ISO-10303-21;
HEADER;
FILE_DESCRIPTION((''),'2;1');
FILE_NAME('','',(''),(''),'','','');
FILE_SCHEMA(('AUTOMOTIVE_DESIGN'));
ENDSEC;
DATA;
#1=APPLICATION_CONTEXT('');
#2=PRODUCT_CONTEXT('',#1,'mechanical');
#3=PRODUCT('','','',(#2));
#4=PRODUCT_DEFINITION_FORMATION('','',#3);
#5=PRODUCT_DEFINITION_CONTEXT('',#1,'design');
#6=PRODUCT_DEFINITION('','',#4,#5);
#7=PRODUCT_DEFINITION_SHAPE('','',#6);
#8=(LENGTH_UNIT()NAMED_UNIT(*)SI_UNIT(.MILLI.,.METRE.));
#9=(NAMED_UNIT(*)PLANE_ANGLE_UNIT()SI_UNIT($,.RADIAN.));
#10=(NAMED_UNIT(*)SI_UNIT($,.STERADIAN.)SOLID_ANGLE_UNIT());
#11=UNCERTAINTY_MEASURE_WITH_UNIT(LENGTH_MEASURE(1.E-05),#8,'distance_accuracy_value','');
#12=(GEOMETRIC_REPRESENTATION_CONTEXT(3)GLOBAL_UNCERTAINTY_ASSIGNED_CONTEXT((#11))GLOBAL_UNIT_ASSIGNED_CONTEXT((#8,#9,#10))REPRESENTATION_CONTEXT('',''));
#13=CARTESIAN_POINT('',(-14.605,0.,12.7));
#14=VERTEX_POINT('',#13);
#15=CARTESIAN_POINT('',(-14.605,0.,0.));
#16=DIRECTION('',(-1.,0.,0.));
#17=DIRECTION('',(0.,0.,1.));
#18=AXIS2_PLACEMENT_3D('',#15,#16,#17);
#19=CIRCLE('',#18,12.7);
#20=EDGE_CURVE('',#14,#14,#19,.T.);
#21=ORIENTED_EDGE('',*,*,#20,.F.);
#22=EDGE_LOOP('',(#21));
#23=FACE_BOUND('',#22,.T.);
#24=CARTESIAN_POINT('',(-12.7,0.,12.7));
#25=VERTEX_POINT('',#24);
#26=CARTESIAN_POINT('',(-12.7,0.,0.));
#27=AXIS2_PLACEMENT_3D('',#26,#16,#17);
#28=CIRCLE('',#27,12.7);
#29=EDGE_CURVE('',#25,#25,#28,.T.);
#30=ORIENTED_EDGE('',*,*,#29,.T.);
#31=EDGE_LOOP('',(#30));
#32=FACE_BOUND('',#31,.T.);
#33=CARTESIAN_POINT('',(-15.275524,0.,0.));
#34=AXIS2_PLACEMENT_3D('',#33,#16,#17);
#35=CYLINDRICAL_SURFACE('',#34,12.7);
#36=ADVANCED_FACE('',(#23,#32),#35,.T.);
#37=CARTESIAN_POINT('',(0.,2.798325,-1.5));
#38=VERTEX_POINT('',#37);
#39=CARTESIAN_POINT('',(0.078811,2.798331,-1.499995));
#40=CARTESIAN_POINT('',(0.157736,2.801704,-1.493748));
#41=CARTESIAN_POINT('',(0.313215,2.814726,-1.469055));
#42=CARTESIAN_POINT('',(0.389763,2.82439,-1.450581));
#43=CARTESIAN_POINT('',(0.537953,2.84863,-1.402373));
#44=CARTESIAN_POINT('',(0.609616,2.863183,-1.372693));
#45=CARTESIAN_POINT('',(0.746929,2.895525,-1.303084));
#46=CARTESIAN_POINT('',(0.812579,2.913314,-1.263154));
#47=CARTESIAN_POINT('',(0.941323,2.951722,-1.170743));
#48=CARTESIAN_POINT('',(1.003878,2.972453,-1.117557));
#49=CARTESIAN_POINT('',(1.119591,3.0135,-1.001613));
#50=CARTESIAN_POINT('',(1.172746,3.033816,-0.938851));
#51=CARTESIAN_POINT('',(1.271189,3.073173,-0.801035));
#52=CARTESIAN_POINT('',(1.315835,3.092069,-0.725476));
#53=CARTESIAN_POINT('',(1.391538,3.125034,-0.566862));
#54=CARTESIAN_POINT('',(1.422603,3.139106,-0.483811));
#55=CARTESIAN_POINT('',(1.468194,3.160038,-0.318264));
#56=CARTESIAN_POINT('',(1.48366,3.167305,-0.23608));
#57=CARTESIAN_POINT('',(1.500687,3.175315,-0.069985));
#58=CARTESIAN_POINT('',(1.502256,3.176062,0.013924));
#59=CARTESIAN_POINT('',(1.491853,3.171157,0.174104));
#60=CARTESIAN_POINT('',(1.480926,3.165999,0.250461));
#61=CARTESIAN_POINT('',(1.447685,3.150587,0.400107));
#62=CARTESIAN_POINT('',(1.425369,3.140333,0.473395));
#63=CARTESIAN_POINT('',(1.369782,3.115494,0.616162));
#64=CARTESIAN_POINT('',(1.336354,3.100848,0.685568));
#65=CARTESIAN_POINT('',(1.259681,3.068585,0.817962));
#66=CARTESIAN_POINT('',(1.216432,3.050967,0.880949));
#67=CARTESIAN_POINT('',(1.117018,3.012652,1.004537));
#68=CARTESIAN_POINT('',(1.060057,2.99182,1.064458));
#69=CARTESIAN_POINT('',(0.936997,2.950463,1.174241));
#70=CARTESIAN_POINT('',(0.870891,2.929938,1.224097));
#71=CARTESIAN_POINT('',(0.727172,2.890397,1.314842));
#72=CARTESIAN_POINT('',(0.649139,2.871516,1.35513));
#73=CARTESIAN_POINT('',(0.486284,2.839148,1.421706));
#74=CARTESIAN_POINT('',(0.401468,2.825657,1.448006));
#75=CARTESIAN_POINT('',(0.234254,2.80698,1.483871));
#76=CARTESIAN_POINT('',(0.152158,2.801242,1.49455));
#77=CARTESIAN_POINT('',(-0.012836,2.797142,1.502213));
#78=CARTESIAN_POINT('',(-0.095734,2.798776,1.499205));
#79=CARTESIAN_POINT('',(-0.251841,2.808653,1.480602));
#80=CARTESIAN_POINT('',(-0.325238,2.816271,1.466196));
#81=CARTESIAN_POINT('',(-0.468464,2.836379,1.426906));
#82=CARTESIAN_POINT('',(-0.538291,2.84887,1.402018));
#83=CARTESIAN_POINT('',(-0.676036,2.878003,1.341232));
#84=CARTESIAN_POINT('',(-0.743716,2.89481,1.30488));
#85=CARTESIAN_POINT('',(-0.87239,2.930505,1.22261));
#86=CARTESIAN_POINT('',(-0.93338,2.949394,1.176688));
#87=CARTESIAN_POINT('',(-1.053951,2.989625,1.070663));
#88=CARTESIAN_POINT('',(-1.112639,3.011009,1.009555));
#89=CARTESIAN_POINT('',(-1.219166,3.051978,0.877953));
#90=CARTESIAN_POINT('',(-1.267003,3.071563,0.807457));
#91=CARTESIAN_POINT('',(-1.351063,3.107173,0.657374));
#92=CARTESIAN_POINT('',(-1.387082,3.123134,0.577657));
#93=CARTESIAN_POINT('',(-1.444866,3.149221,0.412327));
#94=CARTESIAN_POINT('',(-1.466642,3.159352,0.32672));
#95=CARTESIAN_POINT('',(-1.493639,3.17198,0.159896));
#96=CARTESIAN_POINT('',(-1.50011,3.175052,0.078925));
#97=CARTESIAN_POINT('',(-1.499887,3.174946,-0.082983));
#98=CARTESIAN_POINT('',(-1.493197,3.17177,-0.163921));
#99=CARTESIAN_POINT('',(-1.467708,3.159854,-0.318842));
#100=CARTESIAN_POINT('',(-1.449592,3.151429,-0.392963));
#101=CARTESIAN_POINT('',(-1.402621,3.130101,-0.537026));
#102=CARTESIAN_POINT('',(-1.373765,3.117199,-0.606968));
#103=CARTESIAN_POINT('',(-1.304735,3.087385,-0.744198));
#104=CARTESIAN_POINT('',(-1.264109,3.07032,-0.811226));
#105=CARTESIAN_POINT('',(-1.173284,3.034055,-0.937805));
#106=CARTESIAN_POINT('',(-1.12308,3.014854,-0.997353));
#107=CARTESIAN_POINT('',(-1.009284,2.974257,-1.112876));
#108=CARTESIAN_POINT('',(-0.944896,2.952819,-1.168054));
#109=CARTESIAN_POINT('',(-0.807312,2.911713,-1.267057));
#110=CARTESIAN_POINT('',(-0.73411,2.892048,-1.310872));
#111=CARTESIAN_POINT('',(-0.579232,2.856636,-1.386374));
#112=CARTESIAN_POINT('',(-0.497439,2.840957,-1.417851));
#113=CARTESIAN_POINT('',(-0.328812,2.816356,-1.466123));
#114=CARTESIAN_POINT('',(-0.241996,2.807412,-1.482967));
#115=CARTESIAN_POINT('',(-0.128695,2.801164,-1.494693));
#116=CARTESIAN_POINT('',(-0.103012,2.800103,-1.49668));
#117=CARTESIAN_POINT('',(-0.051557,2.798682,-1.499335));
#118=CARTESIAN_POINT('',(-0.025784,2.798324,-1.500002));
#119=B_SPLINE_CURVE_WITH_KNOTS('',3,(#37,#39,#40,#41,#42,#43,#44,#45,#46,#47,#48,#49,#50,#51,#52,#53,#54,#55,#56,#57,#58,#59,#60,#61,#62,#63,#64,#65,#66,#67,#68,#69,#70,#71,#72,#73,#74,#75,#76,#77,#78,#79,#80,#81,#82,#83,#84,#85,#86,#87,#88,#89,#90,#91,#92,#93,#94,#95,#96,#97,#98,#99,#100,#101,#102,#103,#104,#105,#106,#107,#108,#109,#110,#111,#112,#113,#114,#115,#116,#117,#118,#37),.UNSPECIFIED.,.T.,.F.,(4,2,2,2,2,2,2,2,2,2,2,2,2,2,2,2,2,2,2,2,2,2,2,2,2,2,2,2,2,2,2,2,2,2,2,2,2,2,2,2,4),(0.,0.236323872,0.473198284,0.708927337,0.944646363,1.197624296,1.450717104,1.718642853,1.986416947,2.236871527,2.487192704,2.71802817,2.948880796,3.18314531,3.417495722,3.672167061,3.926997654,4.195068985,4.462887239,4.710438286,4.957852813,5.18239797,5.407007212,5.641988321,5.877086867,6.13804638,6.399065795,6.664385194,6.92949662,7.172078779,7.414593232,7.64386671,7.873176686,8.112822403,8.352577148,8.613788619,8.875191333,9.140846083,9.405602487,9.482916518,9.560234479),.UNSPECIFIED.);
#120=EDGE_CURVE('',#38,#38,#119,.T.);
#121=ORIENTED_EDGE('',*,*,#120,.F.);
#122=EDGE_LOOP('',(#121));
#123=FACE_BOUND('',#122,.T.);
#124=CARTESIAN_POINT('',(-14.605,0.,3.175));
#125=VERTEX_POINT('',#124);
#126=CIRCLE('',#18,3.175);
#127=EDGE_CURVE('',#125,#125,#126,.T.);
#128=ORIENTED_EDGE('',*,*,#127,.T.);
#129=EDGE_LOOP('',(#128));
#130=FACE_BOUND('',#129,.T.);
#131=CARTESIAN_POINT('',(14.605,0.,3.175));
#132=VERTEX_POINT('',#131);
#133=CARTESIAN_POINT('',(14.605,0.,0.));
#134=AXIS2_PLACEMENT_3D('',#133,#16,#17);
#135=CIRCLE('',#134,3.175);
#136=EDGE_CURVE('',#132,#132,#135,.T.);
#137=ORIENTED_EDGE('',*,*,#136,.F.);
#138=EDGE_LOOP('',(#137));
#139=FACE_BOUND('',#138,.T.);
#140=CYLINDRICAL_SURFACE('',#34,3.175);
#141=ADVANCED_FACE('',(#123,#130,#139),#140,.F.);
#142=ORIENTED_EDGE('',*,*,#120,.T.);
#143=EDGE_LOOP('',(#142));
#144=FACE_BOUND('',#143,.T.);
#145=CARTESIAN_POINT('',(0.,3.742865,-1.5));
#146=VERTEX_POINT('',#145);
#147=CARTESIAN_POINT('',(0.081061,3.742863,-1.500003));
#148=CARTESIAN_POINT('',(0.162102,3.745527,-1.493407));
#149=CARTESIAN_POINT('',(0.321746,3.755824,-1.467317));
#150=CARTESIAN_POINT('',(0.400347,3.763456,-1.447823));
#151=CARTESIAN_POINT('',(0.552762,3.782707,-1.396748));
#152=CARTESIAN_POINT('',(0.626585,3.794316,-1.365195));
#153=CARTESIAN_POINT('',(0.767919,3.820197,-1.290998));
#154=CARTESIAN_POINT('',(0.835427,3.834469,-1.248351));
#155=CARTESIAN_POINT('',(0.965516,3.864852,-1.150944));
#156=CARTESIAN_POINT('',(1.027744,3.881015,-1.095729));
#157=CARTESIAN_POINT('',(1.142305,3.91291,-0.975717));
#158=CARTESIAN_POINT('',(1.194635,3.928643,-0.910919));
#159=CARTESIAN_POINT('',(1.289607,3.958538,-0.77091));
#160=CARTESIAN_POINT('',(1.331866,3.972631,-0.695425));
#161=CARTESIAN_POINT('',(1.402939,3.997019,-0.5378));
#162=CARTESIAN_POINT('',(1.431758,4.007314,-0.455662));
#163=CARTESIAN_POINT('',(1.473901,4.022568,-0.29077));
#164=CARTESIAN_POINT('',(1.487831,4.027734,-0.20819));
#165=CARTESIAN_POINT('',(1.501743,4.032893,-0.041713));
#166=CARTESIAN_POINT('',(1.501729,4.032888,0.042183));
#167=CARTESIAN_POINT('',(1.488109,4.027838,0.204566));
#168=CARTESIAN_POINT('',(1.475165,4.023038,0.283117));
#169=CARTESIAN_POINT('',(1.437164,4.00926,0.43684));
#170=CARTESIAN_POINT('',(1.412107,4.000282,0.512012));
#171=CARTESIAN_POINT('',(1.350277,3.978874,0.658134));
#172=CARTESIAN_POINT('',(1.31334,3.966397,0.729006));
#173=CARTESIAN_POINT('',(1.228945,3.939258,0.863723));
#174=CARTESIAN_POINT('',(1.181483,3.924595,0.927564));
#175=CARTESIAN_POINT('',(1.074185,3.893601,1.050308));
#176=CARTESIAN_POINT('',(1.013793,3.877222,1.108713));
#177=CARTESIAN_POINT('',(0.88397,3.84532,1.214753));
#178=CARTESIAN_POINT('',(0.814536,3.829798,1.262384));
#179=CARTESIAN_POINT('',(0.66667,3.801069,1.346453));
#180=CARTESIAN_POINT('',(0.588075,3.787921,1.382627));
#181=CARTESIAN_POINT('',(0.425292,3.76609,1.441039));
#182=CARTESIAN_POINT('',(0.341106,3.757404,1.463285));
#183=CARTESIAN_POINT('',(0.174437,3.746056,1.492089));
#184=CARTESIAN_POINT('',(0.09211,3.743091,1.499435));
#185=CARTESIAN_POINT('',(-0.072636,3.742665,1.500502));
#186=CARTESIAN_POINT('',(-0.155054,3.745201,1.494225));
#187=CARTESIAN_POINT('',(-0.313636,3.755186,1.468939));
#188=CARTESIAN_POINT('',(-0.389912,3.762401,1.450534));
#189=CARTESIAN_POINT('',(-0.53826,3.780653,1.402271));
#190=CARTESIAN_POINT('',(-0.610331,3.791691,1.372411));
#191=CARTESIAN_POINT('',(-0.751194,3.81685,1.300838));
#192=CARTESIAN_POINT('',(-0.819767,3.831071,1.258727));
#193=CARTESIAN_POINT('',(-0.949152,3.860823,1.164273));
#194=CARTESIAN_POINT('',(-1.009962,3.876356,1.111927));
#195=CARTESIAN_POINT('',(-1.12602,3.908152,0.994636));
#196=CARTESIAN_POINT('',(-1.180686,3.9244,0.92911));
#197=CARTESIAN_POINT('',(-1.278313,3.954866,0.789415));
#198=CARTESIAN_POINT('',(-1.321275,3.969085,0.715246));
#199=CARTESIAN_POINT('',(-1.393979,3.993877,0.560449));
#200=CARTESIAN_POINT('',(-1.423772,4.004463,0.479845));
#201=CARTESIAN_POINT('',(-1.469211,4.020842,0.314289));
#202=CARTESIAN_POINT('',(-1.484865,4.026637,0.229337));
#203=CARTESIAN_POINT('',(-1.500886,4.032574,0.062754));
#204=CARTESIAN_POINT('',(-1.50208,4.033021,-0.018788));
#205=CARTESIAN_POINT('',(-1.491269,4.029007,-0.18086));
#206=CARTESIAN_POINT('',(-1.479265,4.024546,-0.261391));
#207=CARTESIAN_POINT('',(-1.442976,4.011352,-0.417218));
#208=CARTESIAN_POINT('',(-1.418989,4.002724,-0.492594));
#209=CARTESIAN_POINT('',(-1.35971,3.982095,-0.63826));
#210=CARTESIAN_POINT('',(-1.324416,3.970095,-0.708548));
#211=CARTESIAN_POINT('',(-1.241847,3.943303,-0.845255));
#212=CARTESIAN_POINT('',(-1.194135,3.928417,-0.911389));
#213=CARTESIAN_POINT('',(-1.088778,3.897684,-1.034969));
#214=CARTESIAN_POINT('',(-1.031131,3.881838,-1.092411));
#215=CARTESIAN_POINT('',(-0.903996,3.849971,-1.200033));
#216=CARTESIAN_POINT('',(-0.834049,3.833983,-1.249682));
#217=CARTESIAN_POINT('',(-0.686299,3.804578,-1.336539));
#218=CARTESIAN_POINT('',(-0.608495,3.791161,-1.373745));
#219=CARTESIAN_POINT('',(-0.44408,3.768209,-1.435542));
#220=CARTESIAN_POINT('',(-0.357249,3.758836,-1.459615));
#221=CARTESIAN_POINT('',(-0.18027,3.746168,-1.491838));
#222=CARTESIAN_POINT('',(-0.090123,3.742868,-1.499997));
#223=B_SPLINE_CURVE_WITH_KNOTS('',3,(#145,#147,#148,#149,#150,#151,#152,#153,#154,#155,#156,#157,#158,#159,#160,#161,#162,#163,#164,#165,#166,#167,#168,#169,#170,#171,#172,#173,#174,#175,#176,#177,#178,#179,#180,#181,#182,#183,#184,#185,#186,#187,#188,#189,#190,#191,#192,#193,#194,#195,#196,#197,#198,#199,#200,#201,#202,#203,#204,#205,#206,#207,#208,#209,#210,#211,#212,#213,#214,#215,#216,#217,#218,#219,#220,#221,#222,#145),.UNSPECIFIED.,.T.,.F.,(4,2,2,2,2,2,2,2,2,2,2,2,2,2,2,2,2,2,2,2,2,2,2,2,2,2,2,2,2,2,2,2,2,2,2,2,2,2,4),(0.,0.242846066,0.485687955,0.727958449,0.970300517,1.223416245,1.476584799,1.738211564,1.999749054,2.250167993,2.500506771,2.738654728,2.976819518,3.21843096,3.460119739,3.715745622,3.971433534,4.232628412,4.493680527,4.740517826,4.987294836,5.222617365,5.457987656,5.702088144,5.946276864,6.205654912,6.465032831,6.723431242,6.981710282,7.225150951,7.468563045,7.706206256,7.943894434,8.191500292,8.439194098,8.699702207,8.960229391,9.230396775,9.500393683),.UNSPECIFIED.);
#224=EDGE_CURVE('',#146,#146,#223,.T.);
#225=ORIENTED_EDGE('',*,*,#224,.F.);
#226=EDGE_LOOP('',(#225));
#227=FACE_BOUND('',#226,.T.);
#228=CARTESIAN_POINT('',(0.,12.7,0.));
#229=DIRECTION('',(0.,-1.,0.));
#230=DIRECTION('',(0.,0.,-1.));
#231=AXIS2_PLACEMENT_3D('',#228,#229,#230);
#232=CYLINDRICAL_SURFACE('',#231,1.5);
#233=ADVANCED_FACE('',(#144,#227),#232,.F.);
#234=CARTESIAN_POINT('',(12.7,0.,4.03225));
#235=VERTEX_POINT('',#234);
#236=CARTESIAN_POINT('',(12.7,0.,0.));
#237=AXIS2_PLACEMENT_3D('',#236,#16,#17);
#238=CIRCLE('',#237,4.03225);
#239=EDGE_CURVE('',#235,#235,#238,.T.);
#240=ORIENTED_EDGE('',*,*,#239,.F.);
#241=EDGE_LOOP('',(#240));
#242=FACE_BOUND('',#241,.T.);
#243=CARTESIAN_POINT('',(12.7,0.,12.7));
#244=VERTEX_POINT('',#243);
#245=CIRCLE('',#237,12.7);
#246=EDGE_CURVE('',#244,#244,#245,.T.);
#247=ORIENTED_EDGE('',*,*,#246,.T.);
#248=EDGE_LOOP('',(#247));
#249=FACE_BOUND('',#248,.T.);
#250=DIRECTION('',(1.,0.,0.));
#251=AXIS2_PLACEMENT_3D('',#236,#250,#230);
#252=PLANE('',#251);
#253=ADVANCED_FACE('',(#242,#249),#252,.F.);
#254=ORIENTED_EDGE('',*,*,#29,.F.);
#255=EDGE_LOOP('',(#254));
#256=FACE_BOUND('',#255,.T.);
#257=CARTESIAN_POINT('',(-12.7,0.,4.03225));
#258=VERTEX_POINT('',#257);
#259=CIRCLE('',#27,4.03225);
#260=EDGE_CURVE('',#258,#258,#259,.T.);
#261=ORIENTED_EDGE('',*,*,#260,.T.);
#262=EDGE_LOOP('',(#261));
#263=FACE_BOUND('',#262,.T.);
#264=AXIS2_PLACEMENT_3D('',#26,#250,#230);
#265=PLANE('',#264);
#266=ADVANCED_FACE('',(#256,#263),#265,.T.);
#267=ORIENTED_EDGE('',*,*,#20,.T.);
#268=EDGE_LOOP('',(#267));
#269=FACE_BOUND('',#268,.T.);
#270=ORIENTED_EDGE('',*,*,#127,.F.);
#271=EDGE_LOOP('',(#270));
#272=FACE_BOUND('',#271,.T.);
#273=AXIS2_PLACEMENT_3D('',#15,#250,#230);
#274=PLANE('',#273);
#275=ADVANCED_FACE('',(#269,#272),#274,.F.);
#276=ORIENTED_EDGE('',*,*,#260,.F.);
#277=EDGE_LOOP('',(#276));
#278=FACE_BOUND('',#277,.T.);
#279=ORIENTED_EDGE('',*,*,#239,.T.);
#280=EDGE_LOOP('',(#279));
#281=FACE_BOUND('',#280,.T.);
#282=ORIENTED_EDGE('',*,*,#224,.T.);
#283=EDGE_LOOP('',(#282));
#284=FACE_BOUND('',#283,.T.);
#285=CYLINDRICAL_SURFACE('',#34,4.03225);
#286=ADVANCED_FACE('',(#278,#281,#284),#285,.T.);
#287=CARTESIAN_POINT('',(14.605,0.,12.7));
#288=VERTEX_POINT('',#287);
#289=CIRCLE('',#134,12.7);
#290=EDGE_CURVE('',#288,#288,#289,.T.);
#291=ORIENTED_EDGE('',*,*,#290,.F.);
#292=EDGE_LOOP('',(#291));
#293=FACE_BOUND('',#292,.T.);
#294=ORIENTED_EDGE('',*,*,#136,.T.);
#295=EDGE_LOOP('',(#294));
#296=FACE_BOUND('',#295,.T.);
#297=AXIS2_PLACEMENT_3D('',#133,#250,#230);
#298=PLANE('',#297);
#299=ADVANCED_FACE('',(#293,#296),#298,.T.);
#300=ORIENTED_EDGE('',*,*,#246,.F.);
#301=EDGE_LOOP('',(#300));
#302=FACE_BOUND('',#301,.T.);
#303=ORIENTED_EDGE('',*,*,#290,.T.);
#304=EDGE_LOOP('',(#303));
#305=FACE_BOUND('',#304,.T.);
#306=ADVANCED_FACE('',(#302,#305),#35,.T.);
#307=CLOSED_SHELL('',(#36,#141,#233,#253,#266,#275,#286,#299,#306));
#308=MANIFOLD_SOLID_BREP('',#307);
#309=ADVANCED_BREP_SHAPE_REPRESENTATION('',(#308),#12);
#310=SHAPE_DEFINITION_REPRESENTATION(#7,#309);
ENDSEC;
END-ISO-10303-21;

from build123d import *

# Parameters (mm, degrees)
SKETCH2_R          = 1.5
CUT_EXTRUDE1_DEPTH = 24.14921219


with BuildPart() as part:
    # Sketch1 → Revolve1 (revolve)
    with BuildSketch(Plane.XY):
        Polygon((14.605, 3.175), (14.605, 12.7), (12.7, 12.7), (12.7, 4.03225), (-12.7, 4.03225), (-12.7, 12.7), (-14.605, 12.7), (-14.605, 3.175), align=None)
    revolve(axis=Axis((-15.275524476, 0, 0), (1, 0, 0)))

    # Sketch2 → Cut-Extrude1 (cut, through all)
    with BuildSketch(Plane(origin=(0, 0, 0), x_dir=(1, 0, 0), z_dir=(0, 1, 0))):
        Circle(SKETCH2_R)
    extrude(amount=CUT_EXTRUDE1_DEPTH, mode=Mode.SUBTRACT)


solid = part.part
